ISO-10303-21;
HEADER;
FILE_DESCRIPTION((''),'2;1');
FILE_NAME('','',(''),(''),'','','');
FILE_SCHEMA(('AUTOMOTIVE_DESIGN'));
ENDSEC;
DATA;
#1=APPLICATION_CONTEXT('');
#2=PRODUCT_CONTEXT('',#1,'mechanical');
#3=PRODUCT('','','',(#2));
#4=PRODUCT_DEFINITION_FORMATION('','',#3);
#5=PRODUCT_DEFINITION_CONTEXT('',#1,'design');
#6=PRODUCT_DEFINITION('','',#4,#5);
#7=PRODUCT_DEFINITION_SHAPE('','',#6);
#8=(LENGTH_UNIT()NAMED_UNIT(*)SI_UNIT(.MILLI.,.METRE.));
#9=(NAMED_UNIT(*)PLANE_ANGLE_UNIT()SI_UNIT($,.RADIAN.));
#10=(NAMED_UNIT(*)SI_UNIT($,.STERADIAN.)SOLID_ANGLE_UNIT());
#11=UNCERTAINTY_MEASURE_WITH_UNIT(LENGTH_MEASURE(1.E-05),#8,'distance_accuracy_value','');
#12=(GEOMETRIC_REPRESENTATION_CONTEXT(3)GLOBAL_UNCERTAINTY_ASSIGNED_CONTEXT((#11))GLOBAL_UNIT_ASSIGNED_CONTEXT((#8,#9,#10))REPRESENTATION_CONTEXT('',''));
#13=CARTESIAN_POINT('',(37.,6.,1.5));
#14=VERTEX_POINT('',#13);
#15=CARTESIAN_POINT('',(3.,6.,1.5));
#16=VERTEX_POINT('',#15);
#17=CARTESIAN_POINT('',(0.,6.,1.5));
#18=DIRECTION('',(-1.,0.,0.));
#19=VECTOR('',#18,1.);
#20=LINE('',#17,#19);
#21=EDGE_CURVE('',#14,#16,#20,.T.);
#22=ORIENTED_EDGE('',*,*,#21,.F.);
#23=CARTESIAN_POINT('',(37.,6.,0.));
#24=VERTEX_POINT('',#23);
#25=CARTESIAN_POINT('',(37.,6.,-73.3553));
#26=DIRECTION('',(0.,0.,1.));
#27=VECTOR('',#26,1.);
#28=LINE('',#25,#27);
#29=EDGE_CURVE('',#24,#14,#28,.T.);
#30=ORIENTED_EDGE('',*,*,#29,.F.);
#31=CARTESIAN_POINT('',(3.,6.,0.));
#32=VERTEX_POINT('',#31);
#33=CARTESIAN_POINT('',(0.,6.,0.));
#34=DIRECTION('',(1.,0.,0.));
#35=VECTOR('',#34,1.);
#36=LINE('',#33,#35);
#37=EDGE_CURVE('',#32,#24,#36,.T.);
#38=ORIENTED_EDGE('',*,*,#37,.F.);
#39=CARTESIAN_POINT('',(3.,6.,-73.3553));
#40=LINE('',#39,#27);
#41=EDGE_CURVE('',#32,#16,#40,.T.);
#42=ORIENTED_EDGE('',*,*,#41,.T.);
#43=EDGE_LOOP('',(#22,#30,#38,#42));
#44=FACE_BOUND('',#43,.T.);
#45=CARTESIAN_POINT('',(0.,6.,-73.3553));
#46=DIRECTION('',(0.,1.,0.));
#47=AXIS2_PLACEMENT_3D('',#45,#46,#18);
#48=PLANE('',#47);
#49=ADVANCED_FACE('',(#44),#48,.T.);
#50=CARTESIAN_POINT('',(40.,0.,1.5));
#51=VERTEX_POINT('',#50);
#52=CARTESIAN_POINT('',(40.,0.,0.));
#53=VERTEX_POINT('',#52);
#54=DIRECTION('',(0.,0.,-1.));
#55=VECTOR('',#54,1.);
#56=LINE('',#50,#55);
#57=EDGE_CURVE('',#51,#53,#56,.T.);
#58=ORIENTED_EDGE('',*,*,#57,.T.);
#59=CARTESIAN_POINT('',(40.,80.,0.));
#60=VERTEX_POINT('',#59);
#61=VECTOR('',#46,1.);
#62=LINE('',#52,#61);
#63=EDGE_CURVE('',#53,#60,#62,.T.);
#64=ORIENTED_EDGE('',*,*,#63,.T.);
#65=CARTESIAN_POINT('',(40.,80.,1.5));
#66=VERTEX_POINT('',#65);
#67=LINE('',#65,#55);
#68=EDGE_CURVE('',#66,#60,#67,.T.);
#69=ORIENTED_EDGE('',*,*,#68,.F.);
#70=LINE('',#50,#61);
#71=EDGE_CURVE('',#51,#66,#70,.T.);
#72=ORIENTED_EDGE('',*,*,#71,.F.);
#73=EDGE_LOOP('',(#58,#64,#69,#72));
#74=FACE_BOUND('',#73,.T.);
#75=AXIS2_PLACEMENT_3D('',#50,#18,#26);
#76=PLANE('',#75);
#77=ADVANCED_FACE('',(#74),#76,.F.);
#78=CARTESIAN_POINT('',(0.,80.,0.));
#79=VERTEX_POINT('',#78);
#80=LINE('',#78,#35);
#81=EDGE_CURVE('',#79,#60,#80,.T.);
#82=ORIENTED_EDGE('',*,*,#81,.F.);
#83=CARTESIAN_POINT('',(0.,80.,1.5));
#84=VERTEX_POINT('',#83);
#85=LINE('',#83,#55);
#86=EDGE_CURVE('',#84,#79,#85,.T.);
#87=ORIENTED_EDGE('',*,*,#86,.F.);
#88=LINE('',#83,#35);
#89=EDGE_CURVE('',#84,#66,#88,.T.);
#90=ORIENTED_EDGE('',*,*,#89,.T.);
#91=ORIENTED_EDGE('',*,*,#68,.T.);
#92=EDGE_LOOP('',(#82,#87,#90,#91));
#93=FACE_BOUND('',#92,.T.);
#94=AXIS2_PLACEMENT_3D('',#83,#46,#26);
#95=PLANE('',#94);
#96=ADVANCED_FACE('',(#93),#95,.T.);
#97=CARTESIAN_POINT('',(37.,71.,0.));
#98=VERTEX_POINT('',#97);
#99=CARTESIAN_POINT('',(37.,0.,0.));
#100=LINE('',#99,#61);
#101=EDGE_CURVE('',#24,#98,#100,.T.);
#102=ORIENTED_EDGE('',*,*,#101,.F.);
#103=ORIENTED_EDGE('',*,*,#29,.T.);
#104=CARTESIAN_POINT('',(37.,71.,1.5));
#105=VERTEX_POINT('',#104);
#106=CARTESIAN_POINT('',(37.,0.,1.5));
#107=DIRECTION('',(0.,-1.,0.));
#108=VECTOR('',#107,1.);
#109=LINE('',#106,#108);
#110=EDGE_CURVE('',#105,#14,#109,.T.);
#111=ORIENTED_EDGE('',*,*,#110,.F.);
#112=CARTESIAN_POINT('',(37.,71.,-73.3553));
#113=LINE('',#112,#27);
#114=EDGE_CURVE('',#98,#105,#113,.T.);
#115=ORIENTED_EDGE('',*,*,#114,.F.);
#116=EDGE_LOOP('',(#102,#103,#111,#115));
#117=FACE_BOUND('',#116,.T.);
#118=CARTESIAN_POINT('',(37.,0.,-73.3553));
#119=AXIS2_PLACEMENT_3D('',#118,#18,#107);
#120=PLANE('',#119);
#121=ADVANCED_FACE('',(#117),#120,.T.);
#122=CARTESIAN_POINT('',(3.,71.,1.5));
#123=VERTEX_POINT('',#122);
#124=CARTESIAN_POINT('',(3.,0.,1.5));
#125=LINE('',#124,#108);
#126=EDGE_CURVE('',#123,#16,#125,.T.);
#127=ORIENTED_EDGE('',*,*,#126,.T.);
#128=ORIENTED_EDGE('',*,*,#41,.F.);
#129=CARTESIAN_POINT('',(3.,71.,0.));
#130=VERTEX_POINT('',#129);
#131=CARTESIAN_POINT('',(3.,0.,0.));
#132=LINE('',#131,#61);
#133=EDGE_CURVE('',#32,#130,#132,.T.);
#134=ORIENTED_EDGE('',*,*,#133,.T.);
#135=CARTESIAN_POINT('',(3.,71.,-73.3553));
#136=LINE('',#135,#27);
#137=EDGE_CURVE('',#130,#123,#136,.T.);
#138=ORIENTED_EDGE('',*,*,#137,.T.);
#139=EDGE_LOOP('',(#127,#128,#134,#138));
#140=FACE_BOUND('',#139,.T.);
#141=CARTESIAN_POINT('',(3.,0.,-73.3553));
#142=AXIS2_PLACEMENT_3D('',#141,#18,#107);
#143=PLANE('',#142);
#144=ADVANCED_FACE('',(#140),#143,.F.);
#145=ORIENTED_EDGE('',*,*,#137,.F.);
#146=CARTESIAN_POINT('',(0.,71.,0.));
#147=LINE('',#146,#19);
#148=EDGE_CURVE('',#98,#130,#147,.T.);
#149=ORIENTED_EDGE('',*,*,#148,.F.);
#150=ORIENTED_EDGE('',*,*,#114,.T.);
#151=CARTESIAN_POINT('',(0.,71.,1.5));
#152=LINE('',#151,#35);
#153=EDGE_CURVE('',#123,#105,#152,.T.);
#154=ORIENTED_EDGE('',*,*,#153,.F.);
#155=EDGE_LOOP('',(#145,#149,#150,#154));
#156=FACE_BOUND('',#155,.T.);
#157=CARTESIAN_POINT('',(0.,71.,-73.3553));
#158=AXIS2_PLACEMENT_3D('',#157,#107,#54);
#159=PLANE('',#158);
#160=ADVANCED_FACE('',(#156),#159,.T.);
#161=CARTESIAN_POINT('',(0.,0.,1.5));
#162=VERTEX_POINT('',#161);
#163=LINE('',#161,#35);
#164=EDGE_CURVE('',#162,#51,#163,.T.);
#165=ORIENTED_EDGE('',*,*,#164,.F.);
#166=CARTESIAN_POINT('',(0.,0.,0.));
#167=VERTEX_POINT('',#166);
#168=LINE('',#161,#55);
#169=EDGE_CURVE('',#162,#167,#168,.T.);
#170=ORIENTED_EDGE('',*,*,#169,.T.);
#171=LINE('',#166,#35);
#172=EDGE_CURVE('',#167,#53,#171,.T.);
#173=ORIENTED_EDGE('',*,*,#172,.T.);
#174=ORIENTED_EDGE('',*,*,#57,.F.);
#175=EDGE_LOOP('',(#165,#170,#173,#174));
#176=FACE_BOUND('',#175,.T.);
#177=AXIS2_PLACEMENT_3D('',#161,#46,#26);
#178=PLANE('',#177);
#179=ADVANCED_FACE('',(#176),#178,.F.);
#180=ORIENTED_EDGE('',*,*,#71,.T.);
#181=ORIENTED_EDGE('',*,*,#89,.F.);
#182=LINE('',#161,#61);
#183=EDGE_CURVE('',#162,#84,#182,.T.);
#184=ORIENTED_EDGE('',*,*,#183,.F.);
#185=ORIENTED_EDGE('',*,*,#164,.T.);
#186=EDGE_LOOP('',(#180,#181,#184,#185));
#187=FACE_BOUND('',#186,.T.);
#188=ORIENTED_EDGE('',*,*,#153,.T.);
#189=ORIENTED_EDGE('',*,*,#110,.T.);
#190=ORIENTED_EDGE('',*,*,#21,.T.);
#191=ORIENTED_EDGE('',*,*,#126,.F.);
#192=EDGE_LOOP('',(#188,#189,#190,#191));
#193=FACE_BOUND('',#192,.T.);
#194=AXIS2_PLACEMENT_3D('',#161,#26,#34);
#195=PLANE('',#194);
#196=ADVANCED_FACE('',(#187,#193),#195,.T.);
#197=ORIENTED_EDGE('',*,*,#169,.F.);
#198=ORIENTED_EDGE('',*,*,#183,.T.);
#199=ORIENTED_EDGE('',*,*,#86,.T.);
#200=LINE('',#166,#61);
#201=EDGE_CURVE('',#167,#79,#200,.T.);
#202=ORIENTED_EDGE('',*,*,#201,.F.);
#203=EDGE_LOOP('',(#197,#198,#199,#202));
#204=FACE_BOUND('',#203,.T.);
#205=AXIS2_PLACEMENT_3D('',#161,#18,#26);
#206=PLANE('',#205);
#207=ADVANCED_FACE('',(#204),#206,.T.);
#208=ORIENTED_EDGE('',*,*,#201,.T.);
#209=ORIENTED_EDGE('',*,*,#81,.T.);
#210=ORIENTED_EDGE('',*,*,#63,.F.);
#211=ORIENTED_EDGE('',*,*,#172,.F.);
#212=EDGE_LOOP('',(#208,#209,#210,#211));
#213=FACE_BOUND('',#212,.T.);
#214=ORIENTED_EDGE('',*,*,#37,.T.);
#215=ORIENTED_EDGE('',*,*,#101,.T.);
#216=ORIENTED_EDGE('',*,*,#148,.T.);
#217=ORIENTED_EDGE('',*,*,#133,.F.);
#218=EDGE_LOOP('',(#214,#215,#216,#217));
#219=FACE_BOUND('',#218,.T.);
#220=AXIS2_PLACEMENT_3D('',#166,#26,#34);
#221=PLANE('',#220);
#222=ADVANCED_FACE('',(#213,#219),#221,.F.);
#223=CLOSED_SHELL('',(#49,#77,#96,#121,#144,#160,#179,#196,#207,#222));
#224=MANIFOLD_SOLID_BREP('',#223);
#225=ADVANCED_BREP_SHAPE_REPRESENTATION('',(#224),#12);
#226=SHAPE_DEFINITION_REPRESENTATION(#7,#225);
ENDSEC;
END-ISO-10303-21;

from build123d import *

# Parameters (mm, degrees)
SKETCH1_W           = 40
SKETCH1_H           = 80
BOSS_EXTRUDE1_DEPTH = 1.5
CUT_EXTRUDE1_DEPTH  = 1.5


with BuildPart() as part:
    # Sketch1 → Boss-Extrude1 (new body)
    with BuildSketch(Plane.XY):
        with Locations((20, 40)):
            Rectangle(SKETCH1_W, SKETCH1_H)
    extrude(amount=BOSS_EXTRUDE1_DEPTH)

    # Sketch2 → Cut-Extrude1 (cut)
    with BuildSketch(Plane.XY.offset(1.5)):
        Polygon((37, 71), (37, 6), (20, 6), (3, 6), (3, 71), align=None)
    extrude(amount=-CUT_EXTRUDE1_DEPTH, mode=Mode.SUBTRACT)


solid = part.part
